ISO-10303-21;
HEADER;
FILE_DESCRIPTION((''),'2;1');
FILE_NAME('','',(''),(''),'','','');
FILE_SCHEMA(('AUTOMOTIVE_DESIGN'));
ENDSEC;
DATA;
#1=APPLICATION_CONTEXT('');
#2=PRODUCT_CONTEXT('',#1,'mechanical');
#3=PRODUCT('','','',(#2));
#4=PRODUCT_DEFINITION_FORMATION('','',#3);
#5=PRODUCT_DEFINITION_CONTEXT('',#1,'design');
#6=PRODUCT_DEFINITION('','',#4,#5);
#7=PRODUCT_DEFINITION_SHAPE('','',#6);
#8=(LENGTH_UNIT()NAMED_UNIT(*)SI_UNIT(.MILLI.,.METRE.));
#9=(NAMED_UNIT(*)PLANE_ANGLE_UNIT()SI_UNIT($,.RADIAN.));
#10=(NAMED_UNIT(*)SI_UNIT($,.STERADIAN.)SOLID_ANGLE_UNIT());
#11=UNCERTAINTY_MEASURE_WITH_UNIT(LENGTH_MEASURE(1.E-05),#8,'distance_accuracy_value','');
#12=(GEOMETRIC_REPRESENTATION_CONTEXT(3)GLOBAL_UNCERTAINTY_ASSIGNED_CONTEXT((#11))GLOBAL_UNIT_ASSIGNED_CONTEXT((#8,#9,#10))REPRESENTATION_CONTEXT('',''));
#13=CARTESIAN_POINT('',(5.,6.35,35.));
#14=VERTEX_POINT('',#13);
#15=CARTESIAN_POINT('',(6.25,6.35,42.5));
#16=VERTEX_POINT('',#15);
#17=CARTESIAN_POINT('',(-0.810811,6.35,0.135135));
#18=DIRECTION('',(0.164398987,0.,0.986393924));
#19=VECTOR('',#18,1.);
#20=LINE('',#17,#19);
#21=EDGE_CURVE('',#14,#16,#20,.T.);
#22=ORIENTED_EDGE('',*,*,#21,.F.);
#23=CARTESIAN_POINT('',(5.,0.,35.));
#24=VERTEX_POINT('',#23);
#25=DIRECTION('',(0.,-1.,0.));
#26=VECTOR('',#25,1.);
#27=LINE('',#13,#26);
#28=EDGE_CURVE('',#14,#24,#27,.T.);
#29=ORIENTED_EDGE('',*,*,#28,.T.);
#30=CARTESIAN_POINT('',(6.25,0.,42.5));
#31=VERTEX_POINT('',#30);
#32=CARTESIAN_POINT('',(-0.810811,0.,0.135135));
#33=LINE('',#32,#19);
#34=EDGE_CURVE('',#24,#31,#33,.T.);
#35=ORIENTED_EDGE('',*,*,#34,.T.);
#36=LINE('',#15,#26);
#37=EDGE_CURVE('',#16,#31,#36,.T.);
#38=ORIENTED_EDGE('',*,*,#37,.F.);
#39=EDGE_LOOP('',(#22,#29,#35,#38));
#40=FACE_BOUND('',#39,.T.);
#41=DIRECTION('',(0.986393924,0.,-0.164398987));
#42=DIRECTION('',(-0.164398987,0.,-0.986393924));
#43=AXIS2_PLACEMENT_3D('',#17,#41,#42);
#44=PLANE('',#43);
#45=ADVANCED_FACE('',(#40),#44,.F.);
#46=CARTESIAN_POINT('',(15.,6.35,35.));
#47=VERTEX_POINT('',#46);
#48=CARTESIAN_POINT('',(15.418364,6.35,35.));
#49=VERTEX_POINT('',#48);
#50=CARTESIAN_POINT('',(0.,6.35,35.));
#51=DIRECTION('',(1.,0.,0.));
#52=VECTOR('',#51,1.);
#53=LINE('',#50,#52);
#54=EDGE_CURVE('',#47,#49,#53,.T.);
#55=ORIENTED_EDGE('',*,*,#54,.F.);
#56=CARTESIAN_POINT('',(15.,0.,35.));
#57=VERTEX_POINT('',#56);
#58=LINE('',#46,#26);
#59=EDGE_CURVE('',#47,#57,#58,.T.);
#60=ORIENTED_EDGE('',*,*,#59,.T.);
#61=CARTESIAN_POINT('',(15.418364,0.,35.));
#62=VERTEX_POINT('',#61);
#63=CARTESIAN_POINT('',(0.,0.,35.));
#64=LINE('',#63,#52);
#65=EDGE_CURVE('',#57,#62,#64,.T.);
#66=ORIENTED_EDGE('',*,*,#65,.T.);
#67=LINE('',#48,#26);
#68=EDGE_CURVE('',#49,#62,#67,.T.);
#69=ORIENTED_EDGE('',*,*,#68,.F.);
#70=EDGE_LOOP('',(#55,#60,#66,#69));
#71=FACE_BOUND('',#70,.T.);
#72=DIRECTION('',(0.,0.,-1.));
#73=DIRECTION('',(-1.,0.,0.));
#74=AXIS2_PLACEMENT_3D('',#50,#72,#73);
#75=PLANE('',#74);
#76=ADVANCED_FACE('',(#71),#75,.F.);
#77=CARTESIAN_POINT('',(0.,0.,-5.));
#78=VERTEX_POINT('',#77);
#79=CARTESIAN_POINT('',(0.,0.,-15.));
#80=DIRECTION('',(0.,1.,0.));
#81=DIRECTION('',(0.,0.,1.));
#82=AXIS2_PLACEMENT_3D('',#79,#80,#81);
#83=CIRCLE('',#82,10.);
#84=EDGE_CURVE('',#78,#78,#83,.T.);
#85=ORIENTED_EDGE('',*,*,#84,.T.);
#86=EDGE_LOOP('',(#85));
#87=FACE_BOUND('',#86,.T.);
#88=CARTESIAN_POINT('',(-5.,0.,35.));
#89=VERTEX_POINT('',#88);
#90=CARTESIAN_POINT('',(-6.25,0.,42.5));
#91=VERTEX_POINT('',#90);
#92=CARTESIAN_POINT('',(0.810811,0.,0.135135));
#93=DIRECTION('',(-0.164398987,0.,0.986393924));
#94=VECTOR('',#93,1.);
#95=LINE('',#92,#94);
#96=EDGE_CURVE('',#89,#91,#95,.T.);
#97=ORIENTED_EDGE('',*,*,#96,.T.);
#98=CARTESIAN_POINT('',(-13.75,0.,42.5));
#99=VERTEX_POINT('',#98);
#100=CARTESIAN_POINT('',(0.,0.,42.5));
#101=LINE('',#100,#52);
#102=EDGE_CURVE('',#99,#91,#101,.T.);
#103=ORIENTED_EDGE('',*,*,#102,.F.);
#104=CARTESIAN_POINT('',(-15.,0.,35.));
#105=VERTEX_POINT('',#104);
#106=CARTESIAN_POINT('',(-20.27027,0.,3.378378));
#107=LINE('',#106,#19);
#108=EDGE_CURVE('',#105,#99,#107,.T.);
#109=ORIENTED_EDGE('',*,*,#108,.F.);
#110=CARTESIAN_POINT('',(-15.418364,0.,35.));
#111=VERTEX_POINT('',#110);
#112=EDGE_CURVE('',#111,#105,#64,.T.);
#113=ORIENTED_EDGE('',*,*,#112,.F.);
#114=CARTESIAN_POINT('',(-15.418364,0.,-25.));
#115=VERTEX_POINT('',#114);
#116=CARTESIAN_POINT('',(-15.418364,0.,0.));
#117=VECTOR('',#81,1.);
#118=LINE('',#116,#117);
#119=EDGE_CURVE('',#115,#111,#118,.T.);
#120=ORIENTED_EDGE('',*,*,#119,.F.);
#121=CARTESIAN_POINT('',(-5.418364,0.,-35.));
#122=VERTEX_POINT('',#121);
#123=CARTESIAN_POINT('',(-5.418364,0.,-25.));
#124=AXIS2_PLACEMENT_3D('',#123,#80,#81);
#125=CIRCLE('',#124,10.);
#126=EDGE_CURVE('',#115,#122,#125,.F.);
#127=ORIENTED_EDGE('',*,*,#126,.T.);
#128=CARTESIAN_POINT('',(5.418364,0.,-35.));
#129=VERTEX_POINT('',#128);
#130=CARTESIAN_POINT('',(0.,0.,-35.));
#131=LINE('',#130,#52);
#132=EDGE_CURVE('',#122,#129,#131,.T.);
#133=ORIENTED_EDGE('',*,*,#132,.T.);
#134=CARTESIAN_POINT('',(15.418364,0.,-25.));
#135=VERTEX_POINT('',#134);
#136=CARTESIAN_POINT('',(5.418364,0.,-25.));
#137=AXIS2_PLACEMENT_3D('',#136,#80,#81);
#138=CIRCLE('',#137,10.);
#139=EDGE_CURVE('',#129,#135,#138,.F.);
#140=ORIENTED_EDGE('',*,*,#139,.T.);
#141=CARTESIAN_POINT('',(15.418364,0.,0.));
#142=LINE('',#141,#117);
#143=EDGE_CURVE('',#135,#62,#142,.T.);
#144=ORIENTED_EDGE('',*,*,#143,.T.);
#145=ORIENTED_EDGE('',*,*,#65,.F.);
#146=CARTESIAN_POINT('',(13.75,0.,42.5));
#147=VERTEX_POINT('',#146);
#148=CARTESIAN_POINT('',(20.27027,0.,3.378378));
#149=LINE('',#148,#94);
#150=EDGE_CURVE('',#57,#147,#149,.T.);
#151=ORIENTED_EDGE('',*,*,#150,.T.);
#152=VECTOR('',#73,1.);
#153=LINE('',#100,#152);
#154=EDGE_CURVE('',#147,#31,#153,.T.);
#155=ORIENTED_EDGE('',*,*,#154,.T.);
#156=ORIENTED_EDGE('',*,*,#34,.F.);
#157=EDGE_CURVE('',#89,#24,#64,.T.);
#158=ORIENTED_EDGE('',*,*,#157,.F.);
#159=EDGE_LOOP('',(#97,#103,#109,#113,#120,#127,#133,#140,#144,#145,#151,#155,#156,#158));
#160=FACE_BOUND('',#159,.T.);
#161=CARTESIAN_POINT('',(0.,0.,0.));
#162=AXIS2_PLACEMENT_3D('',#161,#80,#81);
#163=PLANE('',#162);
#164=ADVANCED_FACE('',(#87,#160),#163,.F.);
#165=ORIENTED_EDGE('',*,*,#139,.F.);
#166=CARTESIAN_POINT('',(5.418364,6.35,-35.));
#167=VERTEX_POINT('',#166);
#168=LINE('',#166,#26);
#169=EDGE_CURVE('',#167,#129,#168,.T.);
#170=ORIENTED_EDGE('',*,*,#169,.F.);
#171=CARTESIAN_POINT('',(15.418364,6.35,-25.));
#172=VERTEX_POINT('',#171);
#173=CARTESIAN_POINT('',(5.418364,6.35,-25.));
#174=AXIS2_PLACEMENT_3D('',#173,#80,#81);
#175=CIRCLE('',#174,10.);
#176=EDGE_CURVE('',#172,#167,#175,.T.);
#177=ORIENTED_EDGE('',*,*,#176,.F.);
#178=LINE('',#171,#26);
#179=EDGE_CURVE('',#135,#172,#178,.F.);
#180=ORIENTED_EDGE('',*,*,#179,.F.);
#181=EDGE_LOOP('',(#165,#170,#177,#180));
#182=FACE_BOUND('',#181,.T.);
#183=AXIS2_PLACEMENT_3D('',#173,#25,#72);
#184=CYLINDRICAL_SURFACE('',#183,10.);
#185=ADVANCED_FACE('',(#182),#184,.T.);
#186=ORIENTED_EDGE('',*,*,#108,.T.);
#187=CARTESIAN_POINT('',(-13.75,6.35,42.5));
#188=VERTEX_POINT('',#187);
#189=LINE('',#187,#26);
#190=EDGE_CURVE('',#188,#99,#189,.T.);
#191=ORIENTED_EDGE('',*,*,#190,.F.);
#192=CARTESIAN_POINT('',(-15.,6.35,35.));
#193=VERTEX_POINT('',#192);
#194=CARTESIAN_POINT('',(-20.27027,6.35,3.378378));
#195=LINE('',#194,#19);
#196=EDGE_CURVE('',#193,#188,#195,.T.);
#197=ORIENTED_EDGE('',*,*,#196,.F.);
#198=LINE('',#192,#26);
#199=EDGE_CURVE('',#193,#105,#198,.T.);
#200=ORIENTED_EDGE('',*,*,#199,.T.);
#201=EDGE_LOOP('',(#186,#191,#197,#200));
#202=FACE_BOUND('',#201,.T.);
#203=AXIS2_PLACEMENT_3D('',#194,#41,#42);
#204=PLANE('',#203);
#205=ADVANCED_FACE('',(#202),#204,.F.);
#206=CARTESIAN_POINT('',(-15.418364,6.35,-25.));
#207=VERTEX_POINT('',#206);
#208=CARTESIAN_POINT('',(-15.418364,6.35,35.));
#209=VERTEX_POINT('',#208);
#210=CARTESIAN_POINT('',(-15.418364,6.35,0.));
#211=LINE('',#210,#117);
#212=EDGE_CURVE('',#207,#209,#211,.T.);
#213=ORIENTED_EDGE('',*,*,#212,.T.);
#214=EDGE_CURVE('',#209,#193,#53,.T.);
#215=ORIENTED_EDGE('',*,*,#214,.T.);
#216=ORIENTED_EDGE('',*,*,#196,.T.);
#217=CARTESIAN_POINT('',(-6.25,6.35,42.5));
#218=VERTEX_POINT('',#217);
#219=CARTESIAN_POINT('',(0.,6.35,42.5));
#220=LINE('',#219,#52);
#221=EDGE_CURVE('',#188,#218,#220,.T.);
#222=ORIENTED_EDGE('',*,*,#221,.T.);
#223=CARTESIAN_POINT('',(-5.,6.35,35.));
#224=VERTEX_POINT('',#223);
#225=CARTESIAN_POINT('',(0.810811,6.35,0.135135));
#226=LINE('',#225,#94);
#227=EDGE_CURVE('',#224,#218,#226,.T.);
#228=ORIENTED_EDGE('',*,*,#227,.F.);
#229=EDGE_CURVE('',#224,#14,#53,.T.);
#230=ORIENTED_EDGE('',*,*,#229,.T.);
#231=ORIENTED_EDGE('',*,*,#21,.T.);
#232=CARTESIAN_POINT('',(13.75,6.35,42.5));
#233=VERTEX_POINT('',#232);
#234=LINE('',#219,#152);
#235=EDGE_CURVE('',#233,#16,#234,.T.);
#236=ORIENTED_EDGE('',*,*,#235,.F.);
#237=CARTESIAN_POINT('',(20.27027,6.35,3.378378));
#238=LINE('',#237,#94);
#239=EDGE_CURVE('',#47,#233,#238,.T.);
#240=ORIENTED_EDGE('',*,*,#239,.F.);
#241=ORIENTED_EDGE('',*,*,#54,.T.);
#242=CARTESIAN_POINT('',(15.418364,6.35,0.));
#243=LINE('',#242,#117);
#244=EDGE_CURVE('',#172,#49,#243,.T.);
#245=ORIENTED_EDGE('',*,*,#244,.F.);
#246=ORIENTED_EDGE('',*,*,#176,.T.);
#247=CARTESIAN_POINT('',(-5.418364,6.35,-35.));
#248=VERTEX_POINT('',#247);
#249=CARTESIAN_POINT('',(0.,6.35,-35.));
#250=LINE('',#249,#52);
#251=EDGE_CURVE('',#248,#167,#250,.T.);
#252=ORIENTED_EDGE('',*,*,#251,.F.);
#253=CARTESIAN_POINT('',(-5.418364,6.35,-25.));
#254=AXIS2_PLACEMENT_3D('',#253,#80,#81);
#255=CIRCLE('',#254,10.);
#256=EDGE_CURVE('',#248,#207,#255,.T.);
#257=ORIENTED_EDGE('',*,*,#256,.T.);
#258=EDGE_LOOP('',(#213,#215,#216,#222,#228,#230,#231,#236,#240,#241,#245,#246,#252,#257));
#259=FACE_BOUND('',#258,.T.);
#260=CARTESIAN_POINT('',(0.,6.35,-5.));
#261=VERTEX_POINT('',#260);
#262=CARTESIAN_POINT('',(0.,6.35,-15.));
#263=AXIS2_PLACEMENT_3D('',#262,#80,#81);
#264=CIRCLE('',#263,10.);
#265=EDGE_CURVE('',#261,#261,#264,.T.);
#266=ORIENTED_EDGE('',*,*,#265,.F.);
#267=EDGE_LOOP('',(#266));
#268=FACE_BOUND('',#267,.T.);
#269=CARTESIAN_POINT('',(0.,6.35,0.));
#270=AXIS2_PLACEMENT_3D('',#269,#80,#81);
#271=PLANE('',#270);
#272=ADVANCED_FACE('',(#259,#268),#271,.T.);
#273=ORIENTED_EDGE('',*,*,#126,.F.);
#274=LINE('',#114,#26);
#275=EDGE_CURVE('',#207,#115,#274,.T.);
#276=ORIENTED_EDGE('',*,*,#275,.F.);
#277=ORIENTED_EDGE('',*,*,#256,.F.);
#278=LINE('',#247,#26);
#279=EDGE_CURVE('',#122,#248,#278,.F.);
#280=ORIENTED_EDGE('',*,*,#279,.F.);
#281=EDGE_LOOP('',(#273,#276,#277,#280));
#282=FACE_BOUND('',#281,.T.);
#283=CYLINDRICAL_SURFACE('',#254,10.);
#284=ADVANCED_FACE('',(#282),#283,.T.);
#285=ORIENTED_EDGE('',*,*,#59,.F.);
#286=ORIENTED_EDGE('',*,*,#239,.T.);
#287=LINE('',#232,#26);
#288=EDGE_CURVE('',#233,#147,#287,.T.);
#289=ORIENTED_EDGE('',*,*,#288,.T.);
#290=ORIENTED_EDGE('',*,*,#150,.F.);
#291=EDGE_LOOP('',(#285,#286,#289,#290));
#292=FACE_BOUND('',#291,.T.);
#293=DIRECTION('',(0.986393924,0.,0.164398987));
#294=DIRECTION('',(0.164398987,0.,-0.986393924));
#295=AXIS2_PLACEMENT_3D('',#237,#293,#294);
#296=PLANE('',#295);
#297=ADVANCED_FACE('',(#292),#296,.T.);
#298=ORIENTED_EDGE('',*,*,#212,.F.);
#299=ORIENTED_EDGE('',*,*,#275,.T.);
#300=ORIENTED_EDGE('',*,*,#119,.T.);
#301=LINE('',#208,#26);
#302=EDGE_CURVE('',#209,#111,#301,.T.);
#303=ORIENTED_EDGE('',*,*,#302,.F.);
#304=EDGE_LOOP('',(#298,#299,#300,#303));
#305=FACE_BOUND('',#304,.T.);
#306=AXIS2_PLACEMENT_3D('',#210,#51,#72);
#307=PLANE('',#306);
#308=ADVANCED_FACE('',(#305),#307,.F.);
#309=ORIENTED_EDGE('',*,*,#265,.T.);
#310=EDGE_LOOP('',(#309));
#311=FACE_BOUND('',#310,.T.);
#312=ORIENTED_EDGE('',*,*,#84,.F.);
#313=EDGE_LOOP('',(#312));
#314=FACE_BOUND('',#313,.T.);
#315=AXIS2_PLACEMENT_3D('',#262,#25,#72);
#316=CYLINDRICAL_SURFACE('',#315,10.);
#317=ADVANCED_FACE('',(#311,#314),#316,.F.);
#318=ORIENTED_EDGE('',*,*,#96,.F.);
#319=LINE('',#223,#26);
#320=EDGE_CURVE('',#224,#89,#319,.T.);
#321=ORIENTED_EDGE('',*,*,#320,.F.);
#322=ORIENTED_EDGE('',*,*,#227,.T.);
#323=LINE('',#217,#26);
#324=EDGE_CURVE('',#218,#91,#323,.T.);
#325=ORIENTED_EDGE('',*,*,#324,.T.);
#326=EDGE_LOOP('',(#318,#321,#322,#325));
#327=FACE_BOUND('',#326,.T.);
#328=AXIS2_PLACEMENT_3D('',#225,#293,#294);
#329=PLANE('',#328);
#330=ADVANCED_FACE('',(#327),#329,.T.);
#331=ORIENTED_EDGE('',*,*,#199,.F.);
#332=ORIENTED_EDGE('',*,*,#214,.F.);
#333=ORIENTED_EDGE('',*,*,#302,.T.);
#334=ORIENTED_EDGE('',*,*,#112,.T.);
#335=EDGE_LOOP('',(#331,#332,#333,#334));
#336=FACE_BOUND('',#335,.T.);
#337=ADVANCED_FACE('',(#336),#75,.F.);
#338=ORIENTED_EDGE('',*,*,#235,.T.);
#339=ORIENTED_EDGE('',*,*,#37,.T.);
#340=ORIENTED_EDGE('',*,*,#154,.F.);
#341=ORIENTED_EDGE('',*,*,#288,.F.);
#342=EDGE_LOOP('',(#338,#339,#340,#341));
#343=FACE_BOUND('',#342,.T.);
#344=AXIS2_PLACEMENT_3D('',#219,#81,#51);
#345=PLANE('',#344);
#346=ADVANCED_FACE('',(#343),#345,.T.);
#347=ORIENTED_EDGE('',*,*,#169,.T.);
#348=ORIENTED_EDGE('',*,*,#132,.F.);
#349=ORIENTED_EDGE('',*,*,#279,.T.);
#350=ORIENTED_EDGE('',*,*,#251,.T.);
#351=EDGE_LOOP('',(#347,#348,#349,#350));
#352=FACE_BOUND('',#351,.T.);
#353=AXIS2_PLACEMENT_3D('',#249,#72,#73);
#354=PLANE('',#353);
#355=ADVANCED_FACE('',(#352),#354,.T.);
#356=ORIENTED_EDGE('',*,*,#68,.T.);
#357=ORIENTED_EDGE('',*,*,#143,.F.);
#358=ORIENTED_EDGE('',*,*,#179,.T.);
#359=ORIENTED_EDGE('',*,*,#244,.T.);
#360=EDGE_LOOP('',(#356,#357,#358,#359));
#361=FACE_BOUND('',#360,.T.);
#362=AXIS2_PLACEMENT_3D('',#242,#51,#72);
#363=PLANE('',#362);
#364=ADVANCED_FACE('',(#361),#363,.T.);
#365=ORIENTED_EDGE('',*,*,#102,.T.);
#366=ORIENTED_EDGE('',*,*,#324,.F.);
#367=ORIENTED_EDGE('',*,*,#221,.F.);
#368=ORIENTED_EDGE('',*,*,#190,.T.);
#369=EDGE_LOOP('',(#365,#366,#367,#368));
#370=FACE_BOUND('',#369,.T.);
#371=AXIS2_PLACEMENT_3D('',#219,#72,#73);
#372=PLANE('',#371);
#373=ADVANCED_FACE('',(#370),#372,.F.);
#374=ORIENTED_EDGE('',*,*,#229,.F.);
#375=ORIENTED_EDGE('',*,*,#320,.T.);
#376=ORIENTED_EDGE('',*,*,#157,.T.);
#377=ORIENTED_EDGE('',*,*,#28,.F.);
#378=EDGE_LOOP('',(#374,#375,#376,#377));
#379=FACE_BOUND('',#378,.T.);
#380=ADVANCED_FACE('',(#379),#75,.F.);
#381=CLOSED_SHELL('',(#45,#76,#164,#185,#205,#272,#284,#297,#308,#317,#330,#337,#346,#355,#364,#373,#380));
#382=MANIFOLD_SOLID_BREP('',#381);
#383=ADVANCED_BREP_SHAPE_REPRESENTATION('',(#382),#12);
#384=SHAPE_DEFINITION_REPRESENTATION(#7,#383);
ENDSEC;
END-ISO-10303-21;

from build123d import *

# Parameters (mm, degrees)
SKETCH1_W           = 30.83672877
SKETCH1_H           = 70
SKETCH1_R           = 10
BOSS_EXTRUDE1_DEPTH = 6.35
FILLET1_R           = 10


with BuildPart() as part:
    # Sketch1 → Boss-Extrude1 (new body)
    with BuildSketch(Plane(origin=(0, 0, 0), x_dir=(1, 0, 0), z_dir=(0, 1, 0))):
        Polygon((13.75, -42.5), (15, -35), (5, -35), (6.25, -42.5), align=None)
        Polygon((-5, -35), (-15, -35), (-13.75, -42.5), (-6.25, -42.5), align=None)
        Rectangle(SKETCH1_W, SKETCH1_H)
        with Locations((0, 15)):
            Circle(SKETCH1_R, mode=Mode.SUBTRACT)
    extrude(amount=BOSS_EXTRUDE1_DEPTH)

    # Fillet1
    fillet1_edges = [part.edges().sort_by_distance(p)[0] for p in [
        (-15.418364385, 3.175, -35),
        (15.418364385, 3.175, -35),
    ]]
    fillet(fillet1_edges, radius=FILLET1_R)


solid = part.part
